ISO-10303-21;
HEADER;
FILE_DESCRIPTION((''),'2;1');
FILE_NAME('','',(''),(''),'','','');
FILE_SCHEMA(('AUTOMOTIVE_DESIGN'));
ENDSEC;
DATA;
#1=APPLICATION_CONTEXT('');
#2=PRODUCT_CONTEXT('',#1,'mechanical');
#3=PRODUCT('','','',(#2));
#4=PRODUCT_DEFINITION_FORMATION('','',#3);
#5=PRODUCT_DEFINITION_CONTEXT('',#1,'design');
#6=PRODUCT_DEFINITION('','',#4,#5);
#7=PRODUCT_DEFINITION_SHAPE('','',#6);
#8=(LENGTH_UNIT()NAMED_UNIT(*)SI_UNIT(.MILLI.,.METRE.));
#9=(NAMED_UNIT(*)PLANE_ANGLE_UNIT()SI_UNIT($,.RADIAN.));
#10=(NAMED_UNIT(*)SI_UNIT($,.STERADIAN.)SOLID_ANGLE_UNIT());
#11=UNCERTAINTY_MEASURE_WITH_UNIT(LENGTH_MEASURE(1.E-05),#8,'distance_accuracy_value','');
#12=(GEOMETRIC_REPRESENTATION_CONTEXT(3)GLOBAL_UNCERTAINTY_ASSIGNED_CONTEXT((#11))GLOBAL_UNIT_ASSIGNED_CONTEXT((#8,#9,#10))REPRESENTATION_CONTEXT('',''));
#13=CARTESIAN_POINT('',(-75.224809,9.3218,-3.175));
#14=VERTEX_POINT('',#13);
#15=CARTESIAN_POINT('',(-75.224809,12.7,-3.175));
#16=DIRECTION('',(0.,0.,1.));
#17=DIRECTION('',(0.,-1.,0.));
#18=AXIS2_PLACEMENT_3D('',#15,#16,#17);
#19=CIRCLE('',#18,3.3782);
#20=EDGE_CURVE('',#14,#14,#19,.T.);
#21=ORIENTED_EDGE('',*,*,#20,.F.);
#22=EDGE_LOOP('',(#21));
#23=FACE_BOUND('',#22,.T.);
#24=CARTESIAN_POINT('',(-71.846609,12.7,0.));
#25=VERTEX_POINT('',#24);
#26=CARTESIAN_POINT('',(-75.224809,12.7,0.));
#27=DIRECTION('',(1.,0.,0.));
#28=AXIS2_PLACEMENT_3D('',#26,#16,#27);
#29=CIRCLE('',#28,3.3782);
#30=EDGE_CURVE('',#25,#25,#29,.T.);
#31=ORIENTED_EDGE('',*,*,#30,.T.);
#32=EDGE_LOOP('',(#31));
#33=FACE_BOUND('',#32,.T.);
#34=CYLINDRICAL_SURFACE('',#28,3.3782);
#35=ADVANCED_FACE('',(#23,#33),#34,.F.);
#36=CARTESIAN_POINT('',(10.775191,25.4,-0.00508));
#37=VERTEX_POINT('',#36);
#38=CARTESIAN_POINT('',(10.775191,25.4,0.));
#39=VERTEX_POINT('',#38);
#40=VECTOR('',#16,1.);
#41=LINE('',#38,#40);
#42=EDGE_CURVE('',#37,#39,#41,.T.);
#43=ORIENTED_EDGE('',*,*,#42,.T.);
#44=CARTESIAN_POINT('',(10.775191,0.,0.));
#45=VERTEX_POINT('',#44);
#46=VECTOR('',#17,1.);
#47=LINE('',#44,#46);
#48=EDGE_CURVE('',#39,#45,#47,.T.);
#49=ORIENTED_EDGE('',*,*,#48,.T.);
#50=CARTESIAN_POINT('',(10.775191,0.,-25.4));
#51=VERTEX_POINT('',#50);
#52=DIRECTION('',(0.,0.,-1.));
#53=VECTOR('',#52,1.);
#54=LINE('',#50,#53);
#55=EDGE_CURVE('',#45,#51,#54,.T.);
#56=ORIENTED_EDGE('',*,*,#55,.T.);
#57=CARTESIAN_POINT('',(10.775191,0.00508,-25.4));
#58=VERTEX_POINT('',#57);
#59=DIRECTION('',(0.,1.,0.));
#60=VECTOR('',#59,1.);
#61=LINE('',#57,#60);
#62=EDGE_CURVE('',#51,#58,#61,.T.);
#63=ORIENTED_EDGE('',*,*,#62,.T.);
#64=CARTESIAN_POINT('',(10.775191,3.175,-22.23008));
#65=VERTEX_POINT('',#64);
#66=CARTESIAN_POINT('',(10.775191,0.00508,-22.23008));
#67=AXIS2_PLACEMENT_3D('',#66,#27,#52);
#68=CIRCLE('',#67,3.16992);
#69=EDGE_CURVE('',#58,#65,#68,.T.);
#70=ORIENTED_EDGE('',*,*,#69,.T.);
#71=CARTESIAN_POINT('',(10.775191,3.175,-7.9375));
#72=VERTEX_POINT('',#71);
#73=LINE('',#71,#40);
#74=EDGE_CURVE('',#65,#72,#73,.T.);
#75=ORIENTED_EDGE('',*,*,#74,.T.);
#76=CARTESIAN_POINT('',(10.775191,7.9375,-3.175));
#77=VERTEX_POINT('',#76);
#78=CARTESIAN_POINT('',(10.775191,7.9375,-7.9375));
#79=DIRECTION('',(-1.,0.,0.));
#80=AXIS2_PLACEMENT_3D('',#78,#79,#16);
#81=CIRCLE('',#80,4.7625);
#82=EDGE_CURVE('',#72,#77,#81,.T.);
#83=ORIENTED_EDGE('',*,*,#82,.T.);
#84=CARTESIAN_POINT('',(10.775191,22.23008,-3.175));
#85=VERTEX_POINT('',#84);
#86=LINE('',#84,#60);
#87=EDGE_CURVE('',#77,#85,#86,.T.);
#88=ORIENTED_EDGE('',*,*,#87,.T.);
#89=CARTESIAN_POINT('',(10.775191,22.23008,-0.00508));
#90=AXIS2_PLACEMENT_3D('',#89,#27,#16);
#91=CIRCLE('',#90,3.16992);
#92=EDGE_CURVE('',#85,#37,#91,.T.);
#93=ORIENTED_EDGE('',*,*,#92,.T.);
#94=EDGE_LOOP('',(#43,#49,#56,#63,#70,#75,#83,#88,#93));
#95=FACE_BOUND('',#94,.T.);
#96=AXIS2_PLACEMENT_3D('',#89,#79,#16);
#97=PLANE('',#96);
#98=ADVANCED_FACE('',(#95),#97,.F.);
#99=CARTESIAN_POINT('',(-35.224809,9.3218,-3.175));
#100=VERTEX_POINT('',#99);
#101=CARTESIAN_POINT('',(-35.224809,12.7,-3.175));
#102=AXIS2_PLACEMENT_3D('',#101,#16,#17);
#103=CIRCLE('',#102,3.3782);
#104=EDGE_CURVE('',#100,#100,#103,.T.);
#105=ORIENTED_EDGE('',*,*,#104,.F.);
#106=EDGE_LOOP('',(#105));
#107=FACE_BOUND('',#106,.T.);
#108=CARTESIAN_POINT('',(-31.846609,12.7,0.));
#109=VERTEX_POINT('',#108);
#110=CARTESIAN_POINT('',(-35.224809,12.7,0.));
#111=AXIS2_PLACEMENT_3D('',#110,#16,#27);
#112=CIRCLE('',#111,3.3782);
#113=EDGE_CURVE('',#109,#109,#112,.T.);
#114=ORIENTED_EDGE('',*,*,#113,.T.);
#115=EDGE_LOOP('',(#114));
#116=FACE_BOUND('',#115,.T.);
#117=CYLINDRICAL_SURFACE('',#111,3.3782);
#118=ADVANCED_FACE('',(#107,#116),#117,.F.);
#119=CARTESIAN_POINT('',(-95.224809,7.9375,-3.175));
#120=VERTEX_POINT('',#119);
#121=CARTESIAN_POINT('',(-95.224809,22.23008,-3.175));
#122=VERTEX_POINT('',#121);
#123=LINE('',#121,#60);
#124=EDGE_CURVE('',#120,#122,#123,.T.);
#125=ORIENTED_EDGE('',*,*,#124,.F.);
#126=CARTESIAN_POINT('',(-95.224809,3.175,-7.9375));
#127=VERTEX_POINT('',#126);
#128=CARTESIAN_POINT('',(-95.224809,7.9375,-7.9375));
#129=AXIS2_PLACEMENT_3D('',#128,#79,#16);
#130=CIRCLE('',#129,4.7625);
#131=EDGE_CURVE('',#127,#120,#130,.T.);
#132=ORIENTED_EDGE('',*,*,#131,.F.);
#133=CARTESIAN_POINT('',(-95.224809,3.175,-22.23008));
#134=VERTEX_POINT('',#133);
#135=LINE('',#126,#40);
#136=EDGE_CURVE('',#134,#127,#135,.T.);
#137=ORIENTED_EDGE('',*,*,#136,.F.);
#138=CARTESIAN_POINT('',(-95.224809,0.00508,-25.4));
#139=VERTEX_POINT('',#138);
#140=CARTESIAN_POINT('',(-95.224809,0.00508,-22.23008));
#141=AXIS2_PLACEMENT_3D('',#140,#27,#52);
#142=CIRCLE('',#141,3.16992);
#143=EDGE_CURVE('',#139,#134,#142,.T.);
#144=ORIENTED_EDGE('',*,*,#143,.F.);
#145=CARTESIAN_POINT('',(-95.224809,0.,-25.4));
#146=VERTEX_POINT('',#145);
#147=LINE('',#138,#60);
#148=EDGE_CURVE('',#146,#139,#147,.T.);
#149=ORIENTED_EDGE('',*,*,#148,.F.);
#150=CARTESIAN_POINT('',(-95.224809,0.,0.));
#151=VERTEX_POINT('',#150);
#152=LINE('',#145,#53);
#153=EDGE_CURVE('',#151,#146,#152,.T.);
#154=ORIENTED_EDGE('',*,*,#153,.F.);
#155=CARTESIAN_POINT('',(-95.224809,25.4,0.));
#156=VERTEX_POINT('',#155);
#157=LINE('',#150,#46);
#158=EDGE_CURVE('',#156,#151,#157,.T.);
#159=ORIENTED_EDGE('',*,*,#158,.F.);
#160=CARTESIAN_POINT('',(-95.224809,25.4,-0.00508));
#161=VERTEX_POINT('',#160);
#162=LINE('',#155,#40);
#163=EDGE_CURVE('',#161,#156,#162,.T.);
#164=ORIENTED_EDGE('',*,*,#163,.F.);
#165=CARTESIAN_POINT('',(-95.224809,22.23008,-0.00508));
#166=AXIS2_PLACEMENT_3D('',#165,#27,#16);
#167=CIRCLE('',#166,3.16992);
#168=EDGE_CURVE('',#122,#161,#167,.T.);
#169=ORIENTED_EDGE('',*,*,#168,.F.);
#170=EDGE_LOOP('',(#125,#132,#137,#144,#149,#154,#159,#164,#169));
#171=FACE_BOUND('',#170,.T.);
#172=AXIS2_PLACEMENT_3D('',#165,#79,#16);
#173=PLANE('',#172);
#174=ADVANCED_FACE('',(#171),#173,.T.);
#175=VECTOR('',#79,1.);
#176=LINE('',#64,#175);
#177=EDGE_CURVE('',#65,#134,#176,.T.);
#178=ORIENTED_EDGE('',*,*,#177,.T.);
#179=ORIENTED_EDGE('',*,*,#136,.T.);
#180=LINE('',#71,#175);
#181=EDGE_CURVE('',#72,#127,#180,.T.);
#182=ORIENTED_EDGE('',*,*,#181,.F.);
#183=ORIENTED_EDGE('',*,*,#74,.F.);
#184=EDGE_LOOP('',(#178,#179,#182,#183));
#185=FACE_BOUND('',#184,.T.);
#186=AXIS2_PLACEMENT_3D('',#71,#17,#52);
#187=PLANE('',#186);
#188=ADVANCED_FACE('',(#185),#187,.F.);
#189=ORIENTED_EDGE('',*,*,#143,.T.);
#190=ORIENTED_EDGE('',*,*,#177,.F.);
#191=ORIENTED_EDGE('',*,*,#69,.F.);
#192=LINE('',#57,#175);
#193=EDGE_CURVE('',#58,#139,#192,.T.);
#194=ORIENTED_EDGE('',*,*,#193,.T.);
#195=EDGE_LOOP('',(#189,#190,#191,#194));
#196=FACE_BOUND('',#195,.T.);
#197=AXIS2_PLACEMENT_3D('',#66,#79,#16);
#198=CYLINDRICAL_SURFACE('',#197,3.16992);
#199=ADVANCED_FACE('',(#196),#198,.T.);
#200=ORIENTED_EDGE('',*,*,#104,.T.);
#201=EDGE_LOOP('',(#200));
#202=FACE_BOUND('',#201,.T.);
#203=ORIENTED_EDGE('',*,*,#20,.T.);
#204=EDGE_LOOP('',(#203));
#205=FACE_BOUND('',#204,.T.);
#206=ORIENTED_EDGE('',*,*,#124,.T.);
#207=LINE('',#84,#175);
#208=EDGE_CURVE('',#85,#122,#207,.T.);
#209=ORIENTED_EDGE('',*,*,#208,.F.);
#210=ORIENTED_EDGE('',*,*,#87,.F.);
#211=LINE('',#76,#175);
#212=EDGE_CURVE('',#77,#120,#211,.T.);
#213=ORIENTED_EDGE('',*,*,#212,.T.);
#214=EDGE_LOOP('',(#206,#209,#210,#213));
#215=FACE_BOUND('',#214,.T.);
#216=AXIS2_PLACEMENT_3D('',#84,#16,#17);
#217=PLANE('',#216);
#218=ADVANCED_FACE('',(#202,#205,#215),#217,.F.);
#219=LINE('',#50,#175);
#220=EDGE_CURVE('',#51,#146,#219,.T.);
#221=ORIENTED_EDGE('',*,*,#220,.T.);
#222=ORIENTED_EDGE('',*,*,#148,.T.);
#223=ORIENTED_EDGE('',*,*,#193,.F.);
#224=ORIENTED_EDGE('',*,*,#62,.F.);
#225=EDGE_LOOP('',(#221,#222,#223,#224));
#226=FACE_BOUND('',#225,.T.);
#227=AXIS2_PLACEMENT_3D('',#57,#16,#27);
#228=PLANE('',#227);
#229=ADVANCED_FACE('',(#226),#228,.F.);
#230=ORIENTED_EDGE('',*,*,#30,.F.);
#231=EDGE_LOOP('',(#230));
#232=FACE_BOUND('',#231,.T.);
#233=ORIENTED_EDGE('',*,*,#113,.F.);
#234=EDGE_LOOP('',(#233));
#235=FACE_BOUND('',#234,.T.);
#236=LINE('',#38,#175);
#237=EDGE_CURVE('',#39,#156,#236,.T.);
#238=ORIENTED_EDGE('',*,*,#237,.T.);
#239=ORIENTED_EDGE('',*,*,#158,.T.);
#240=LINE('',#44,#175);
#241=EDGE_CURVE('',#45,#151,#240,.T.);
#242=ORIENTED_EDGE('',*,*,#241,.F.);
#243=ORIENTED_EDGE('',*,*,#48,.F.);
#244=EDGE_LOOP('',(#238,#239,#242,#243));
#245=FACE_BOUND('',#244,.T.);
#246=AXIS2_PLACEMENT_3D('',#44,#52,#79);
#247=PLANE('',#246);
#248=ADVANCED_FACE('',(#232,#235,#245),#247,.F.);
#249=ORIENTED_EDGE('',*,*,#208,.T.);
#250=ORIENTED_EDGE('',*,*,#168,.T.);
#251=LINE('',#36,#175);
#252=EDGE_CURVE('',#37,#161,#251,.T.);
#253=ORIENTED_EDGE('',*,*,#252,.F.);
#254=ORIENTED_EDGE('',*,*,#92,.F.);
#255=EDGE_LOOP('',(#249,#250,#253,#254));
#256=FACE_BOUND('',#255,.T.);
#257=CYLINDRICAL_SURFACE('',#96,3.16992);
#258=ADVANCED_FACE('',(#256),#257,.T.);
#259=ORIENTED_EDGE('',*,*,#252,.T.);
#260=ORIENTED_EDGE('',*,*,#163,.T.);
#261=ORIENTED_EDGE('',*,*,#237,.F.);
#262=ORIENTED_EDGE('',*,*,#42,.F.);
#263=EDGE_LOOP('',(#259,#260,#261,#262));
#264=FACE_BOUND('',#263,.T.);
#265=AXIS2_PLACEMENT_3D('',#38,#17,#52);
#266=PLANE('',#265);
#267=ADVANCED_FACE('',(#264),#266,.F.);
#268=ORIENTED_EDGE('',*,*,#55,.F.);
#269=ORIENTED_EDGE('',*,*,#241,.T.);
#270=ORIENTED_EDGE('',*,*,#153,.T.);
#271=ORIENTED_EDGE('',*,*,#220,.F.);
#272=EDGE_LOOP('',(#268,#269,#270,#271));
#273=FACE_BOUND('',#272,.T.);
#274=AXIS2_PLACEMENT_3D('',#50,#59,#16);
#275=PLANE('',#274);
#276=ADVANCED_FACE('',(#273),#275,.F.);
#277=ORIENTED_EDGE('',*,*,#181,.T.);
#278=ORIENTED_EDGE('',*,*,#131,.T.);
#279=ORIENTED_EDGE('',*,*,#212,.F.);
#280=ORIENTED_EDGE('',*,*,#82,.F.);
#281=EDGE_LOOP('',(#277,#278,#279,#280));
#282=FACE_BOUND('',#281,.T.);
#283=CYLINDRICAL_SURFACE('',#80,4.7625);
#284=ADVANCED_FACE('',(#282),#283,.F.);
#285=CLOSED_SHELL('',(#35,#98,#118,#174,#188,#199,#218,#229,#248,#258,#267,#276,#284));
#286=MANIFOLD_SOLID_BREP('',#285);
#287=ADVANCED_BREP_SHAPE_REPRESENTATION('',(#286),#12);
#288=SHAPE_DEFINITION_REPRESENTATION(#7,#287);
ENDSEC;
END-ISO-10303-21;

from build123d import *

# Parameters (mm, degrees)
MIEMBRO_ESTRUCTURAL1_DEPTH    = 106
TALADRO_DE_MARGEN_PARA_1_41_D = 6.7564


with BuildPart() as part:
    # Sketch12 → Miembro estructural1 (new body)
    with BuildSketch(Plane(origin=(-95.224809186, 0, 0), x_dir=(0, 0, -1), z_dir=(1, 0, 0))):
        with BuildLine():
            Line((0, 0), (0, 25.4))
            Line((0, 25.4), (0.00508, 25.4))
            ThreePointArc((0.00508, 25.4), (2.246551928, 24.471551928), (3.175, 22.23008))
            Line((3.175, 22.23008), (3.175, 7.9375))
            ThreePointArc((3.175, 7.9375), (4.569903955, 4.569903955), (7.9375, 3.175))
            Line((7.9375, 3.175), (22.23008, 3.175))
            ThreePointArc((22.23008, 3.175), (24.471551928, 2.246551928), (25.4, 0.00508))
            Line((25.4, 0.00508), (25.4, 0))
            Line((25.4, 0), (0, 0))
        make_face()
    extrude(amount=MIEMBRO_ESTRUCTURAL1_DEPTH)

    # Taladro de margen para 1/41 (through all)
    with Locations(Plane.XY):
        with Locations((-35.224809186, 12.7), (-75.224809186, 12.7)):
            Hole(TALADRO_DE_MARGEN_PARA_1_41_D / 2)


solid = part.part
